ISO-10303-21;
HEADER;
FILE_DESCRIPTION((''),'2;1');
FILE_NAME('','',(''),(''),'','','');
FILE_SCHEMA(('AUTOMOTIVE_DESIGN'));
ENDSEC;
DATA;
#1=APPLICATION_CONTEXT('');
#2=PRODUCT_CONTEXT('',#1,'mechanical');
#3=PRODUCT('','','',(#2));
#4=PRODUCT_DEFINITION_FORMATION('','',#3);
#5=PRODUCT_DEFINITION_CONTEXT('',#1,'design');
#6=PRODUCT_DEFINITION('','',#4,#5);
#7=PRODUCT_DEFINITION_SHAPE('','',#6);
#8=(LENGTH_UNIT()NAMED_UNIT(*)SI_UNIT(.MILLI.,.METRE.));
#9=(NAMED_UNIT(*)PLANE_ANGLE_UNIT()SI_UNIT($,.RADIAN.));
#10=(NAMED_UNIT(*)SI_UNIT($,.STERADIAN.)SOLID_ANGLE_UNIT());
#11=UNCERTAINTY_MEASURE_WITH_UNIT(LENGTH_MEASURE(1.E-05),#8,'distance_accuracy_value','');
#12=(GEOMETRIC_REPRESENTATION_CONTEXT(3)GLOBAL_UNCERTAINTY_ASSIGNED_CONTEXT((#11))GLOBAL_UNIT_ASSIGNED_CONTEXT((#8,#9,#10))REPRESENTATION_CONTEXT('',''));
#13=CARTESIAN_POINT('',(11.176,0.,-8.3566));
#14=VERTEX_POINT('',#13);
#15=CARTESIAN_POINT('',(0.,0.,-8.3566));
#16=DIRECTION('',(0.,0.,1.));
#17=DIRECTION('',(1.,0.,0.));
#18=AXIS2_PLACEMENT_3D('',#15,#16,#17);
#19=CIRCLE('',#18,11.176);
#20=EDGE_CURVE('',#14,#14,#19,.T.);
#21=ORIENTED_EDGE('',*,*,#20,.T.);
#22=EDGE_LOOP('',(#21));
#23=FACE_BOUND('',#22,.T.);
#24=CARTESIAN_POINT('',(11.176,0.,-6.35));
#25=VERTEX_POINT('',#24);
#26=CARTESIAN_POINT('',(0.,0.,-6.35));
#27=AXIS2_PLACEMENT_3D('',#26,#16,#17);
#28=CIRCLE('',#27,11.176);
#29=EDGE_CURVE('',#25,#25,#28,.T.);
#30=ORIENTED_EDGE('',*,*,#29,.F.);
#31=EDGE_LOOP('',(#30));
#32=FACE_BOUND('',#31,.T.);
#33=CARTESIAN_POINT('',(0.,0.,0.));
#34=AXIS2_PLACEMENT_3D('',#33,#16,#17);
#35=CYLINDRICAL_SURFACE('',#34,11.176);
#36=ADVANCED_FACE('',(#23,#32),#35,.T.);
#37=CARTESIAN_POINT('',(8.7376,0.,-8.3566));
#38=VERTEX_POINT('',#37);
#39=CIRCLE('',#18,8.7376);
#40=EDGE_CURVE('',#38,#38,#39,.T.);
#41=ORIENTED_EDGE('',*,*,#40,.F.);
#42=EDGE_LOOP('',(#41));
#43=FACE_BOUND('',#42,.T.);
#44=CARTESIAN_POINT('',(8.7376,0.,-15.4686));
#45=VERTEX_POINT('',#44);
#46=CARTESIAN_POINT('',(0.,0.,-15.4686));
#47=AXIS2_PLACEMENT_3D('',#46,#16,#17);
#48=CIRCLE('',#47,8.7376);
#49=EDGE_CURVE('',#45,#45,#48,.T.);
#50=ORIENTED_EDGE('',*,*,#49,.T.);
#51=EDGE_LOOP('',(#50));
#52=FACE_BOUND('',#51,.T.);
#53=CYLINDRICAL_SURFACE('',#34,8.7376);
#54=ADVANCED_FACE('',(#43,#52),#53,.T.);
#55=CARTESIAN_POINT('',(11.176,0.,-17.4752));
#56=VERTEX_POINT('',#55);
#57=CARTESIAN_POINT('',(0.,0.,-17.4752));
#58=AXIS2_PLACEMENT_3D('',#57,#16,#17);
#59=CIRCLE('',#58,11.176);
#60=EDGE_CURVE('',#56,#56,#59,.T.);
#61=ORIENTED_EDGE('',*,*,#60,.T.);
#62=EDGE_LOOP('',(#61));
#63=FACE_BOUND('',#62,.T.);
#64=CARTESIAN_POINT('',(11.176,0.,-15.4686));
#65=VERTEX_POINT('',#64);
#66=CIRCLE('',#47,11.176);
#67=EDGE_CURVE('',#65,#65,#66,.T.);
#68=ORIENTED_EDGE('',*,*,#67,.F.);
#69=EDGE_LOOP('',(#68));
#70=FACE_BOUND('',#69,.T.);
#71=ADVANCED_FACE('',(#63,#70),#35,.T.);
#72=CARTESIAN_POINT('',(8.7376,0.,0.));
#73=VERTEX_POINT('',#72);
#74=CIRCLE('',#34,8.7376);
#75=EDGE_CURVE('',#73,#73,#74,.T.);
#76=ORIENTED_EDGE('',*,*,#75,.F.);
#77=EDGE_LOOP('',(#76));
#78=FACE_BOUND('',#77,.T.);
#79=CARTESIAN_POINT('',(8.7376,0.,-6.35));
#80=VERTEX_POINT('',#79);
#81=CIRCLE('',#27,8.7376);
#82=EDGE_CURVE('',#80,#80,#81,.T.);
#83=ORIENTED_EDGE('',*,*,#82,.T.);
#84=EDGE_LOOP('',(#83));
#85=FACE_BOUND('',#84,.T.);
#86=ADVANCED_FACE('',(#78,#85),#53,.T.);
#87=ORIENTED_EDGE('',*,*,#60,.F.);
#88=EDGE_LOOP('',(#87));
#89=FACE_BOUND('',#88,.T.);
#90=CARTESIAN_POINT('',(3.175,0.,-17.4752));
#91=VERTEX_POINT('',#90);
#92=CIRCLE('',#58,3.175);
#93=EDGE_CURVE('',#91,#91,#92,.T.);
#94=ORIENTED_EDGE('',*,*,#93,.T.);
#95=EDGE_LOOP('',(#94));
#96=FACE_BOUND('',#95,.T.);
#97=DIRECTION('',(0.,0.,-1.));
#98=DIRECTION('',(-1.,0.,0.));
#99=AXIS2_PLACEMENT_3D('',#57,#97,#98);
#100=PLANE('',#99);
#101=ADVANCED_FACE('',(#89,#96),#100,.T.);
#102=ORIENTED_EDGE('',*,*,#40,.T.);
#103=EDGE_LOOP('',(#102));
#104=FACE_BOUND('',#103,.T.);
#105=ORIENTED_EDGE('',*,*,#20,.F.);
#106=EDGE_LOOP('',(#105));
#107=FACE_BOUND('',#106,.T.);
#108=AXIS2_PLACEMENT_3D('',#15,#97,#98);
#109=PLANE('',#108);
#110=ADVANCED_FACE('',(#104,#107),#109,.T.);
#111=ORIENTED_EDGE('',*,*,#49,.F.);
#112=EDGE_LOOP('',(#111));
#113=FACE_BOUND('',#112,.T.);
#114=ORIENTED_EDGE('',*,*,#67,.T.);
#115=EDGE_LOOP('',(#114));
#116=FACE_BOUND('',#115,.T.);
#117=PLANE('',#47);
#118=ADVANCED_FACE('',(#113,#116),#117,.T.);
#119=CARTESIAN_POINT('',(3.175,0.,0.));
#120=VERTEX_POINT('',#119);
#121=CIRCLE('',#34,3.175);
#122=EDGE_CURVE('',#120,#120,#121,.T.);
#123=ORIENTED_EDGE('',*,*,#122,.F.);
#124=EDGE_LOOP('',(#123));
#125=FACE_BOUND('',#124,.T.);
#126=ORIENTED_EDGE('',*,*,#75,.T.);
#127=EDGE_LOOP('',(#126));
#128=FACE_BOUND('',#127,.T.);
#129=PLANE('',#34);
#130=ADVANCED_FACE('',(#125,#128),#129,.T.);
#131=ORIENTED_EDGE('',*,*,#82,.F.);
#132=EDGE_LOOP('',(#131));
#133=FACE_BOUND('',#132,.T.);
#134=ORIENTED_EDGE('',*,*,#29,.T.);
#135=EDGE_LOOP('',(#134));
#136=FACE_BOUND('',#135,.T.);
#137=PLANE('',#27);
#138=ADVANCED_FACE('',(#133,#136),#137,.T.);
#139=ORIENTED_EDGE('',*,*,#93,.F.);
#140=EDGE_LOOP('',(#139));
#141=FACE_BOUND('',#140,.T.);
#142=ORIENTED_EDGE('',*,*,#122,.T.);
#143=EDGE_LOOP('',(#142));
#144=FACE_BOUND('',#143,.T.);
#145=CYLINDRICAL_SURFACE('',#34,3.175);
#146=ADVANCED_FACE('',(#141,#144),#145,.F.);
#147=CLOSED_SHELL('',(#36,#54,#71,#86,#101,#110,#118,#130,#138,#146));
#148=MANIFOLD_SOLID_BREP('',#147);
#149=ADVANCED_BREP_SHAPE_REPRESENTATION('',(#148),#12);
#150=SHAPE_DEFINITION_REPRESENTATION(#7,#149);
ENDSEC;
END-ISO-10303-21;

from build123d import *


with BuildPart() as part:
    # Sketch1 → Revolve5 (revolve)
    with BuildSketch(Plane(origin=(0, 0, 0), x_dir=(0, 0, -1), z_dir=(1, 0, 0)), mode=Mode.PRIVATE) as revolve5_sk:
        Polygon((0, 8.7376), (0, 3.175), (17.4752, 3.175), (17.4752, 11.176), (15.4686, 11.176), (15.4686, 8.7376), (8.3566, 8.7376), (8.3566, 11.176), (6.35, 11.176), (6.35, 8.7376), align=None)
    revolve(revolve5_sk.sketch.rotate(Axis((0, 0, 0), (0, 0, -1)), 90), axis=Axis((0, 0, 0), (0, 0, -1)))


solid = part.part
